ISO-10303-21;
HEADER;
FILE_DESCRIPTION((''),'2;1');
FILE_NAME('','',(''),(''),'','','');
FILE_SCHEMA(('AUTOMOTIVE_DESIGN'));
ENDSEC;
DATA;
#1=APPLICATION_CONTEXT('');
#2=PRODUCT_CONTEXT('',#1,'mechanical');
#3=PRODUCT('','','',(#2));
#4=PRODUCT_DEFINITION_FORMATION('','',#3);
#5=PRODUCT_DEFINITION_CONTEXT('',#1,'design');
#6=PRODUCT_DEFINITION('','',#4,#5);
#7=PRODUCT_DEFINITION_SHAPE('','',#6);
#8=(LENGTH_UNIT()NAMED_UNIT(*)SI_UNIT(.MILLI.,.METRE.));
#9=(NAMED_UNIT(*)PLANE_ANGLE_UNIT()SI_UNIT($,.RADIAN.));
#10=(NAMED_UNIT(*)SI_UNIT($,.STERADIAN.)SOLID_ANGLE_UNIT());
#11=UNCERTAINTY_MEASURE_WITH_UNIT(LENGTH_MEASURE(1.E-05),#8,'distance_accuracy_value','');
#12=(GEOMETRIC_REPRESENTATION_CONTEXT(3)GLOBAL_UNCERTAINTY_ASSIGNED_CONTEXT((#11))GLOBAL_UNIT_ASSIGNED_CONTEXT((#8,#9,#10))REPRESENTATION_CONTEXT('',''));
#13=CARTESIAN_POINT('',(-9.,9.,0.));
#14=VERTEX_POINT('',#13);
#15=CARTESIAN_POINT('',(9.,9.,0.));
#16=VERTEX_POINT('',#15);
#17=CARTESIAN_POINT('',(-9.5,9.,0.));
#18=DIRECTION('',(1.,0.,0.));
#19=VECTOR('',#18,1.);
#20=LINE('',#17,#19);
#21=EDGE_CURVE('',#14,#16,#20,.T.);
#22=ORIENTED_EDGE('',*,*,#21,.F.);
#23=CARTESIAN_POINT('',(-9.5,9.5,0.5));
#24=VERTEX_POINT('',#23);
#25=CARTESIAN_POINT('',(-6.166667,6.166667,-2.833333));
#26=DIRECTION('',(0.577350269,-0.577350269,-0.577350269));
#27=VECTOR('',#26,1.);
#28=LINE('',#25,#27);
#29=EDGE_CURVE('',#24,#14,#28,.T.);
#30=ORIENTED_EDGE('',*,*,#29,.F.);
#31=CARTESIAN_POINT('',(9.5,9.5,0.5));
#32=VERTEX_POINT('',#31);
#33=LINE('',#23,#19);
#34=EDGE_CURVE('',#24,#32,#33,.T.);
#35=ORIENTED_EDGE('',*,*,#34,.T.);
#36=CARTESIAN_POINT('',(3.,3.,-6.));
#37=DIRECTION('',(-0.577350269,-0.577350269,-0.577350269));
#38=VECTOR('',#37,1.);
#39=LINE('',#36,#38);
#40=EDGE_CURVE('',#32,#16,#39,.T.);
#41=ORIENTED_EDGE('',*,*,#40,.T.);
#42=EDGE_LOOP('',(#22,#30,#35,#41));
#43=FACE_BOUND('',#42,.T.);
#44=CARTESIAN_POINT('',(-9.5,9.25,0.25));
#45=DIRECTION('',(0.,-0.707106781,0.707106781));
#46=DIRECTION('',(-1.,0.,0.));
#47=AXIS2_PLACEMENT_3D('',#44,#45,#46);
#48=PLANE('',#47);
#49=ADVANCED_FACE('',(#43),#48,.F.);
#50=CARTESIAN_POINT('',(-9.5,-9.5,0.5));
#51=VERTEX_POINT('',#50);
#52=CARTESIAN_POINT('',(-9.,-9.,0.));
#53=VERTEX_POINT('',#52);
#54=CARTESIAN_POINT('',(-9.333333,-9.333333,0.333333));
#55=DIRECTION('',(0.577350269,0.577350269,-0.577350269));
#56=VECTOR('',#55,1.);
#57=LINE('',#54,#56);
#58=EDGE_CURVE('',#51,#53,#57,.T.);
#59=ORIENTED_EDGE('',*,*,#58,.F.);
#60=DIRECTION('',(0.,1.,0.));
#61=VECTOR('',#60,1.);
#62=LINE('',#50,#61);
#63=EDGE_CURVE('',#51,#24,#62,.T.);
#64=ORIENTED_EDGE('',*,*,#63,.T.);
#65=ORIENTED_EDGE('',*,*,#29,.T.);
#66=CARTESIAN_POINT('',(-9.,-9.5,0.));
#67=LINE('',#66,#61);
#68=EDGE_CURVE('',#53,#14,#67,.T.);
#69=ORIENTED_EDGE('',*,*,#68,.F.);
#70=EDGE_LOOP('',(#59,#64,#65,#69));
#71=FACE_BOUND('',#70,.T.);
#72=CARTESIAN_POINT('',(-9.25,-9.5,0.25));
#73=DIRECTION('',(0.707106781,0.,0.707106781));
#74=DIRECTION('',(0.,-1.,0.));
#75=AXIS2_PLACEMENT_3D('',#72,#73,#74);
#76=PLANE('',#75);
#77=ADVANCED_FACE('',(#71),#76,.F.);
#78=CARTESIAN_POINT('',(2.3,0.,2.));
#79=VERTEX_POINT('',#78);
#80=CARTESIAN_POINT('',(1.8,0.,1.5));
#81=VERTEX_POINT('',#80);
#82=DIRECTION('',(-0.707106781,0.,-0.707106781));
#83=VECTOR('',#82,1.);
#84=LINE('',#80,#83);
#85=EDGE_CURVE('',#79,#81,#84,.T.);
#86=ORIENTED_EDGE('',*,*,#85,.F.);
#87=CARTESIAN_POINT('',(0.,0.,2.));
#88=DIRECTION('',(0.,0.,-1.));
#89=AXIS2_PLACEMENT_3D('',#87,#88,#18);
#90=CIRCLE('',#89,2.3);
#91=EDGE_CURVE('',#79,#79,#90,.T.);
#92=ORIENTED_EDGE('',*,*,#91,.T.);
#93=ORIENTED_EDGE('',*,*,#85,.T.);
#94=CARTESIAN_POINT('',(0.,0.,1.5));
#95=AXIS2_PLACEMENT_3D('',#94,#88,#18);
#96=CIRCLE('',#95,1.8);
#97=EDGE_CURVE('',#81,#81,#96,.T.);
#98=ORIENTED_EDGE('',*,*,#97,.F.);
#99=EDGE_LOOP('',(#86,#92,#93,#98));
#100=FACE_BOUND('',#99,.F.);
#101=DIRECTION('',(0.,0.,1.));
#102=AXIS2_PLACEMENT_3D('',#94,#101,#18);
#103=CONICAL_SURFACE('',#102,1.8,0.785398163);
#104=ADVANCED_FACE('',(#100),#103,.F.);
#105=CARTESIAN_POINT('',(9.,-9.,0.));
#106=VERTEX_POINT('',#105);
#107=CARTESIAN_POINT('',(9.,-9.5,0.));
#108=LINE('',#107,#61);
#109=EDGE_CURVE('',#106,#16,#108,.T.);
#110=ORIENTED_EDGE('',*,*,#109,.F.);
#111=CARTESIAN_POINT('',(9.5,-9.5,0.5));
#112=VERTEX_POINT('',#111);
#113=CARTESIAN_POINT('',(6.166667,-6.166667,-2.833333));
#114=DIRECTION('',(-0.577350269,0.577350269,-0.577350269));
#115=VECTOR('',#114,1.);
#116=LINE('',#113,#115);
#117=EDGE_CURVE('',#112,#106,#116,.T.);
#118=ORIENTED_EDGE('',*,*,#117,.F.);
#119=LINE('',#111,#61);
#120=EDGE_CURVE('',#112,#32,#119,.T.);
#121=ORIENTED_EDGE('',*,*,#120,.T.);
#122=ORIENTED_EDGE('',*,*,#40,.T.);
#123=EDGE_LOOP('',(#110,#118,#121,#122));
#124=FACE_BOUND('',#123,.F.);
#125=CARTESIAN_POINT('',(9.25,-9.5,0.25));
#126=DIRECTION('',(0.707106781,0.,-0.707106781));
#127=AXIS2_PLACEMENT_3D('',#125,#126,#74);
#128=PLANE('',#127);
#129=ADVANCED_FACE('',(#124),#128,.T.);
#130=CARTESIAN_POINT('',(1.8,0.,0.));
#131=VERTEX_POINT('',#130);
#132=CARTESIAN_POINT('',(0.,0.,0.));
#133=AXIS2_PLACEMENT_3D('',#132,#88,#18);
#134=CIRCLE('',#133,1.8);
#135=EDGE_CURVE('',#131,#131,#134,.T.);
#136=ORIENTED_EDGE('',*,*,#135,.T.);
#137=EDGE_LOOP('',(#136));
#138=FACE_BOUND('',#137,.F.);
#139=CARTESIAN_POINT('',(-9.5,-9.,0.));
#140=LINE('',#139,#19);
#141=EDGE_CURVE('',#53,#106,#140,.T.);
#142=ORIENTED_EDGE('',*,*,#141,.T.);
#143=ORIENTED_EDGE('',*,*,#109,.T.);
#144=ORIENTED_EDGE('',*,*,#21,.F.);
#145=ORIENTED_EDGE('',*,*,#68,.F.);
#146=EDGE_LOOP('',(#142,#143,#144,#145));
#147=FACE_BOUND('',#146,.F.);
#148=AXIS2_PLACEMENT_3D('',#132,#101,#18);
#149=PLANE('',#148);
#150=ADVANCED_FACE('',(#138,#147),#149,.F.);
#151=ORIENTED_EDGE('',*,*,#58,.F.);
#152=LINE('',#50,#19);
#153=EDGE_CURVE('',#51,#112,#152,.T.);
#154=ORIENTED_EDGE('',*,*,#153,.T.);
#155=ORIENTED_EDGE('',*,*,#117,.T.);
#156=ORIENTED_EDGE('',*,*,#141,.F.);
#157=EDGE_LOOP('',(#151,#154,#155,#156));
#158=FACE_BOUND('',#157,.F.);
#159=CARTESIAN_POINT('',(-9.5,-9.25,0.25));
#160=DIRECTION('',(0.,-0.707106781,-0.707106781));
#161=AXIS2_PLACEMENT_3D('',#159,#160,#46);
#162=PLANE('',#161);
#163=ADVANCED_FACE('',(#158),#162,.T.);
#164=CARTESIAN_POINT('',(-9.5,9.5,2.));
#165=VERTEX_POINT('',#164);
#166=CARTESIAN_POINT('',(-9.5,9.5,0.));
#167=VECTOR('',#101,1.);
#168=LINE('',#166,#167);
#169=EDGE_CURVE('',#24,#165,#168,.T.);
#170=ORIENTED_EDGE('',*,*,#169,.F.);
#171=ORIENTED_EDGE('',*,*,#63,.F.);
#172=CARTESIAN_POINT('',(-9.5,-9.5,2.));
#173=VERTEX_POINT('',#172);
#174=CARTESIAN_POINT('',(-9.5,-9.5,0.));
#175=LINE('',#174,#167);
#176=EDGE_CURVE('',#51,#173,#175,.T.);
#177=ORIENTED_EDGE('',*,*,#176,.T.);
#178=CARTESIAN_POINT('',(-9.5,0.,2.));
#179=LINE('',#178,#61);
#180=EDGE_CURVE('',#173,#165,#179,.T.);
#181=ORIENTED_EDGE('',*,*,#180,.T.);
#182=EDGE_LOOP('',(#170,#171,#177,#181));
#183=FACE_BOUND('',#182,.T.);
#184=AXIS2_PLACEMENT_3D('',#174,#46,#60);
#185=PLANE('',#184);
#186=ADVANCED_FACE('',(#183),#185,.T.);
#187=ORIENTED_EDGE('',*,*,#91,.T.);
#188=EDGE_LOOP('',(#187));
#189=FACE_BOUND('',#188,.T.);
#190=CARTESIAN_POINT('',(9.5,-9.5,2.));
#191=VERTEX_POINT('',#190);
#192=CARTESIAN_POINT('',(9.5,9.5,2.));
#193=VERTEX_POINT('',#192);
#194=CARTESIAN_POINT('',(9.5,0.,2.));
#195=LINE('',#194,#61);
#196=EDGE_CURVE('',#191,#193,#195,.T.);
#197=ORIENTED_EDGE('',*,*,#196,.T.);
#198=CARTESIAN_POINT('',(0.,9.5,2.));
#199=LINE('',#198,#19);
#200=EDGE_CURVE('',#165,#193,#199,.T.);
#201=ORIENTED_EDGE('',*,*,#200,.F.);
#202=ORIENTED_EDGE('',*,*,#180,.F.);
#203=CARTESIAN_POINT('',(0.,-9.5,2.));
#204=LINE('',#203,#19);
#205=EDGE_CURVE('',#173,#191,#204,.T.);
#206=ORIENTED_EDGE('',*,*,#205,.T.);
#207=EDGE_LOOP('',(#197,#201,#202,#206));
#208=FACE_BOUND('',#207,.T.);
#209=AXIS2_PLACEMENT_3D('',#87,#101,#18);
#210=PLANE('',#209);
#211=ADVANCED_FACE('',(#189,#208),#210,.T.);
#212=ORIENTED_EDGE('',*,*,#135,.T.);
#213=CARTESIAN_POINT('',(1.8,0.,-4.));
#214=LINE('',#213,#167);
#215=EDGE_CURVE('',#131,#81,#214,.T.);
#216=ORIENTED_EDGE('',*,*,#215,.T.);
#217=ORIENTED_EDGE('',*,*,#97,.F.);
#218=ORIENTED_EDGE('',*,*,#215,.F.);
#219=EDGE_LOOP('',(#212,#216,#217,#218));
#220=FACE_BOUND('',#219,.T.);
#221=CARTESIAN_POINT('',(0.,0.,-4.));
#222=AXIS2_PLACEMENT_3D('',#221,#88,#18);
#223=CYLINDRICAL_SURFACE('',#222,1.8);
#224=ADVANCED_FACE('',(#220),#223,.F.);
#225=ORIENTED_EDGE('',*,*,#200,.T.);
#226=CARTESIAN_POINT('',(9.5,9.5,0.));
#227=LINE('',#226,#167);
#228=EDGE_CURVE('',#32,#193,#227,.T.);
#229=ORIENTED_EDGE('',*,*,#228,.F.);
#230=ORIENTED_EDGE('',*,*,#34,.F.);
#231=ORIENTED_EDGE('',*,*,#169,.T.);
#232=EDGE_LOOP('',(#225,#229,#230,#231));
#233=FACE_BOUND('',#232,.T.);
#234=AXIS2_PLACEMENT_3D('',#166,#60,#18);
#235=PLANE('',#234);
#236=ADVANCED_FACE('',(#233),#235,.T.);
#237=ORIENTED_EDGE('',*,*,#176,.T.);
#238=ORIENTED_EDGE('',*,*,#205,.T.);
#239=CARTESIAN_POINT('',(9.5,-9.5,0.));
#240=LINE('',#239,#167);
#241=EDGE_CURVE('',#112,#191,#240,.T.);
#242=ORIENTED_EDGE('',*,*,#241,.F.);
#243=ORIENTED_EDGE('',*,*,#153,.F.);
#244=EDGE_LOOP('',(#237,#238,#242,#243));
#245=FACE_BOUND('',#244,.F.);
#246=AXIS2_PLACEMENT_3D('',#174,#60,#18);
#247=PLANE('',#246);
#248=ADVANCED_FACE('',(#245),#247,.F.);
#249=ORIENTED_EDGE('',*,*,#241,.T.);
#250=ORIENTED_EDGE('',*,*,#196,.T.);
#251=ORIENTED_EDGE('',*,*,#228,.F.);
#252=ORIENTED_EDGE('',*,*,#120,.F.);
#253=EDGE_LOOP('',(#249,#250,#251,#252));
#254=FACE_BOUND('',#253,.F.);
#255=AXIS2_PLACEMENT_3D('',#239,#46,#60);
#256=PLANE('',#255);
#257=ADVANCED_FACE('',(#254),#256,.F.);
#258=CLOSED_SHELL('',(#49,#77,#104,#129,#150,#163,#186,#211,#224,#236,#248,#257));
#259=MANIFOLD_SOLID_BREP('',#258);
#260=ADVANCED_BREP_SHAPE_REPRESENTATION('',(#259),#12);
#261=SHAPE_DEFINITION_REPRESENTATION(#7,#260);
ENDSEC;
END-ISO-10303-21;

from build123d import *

# Parameters (mm, degrees)
CYLINDER080_R      = 1.8
CYLINDER080_DEPTH  = 10
BOX406008008_W     = 19
BOX406008008_H     = 19
BOX406008008_DEPTH = 2
CHAMFER026_SIZE    = 0.5
CHAMFER027_SIZE    = 0.5


with BuildPart() as cylinder078:
    # Cylinder080 → Cylinder080 (new body)
    with BuildSketch(Plane.XY.offset(-4)):
        Circle(CYLINDER080_R)
    extrude(amount=CYLINDER080_DEPTH)


with BuildPart() as filler_plate:
    # Box406008008 → Box406008008 (new body)
    with BuildSketch(Plane(origin=(-9.5, -9.5, 0), x_dir=(1, 0, 0), z_dir=(0, 0, 1))):
        with Locations((9.5, 9.5)):
            Rectangle(BOX406008008_W, BOX406008008_H)
    extrude(amount=BOX406008008_DEPTH)

    # Cut173011013: cut Cylinder078
    add(cylinder078.part, mode=Mode.SUBTRACT)

    # Chamfer026
    chamfer026_edges = [filler_plate.edges().sort_by_distance(p)[0] for p in [
        (-1.8, 0, 2),
    ]]
    chamfer(chamfer026_edges, length=CHAMFER026_SIZE)

    # Chamfer027
    chamfer027_edges = [filler_plate.edges().sort_by_distance(p)[0] for p in [
        (-9.5, 0, 0),
        (0, 9.5, 0),
        (0, -9.5, 0),
        (9.5, 0, 0),
    ]]
    chamfer(chamfer027_edges, length=CHAMFER027_SIZE)


solid = filler_plate.part
